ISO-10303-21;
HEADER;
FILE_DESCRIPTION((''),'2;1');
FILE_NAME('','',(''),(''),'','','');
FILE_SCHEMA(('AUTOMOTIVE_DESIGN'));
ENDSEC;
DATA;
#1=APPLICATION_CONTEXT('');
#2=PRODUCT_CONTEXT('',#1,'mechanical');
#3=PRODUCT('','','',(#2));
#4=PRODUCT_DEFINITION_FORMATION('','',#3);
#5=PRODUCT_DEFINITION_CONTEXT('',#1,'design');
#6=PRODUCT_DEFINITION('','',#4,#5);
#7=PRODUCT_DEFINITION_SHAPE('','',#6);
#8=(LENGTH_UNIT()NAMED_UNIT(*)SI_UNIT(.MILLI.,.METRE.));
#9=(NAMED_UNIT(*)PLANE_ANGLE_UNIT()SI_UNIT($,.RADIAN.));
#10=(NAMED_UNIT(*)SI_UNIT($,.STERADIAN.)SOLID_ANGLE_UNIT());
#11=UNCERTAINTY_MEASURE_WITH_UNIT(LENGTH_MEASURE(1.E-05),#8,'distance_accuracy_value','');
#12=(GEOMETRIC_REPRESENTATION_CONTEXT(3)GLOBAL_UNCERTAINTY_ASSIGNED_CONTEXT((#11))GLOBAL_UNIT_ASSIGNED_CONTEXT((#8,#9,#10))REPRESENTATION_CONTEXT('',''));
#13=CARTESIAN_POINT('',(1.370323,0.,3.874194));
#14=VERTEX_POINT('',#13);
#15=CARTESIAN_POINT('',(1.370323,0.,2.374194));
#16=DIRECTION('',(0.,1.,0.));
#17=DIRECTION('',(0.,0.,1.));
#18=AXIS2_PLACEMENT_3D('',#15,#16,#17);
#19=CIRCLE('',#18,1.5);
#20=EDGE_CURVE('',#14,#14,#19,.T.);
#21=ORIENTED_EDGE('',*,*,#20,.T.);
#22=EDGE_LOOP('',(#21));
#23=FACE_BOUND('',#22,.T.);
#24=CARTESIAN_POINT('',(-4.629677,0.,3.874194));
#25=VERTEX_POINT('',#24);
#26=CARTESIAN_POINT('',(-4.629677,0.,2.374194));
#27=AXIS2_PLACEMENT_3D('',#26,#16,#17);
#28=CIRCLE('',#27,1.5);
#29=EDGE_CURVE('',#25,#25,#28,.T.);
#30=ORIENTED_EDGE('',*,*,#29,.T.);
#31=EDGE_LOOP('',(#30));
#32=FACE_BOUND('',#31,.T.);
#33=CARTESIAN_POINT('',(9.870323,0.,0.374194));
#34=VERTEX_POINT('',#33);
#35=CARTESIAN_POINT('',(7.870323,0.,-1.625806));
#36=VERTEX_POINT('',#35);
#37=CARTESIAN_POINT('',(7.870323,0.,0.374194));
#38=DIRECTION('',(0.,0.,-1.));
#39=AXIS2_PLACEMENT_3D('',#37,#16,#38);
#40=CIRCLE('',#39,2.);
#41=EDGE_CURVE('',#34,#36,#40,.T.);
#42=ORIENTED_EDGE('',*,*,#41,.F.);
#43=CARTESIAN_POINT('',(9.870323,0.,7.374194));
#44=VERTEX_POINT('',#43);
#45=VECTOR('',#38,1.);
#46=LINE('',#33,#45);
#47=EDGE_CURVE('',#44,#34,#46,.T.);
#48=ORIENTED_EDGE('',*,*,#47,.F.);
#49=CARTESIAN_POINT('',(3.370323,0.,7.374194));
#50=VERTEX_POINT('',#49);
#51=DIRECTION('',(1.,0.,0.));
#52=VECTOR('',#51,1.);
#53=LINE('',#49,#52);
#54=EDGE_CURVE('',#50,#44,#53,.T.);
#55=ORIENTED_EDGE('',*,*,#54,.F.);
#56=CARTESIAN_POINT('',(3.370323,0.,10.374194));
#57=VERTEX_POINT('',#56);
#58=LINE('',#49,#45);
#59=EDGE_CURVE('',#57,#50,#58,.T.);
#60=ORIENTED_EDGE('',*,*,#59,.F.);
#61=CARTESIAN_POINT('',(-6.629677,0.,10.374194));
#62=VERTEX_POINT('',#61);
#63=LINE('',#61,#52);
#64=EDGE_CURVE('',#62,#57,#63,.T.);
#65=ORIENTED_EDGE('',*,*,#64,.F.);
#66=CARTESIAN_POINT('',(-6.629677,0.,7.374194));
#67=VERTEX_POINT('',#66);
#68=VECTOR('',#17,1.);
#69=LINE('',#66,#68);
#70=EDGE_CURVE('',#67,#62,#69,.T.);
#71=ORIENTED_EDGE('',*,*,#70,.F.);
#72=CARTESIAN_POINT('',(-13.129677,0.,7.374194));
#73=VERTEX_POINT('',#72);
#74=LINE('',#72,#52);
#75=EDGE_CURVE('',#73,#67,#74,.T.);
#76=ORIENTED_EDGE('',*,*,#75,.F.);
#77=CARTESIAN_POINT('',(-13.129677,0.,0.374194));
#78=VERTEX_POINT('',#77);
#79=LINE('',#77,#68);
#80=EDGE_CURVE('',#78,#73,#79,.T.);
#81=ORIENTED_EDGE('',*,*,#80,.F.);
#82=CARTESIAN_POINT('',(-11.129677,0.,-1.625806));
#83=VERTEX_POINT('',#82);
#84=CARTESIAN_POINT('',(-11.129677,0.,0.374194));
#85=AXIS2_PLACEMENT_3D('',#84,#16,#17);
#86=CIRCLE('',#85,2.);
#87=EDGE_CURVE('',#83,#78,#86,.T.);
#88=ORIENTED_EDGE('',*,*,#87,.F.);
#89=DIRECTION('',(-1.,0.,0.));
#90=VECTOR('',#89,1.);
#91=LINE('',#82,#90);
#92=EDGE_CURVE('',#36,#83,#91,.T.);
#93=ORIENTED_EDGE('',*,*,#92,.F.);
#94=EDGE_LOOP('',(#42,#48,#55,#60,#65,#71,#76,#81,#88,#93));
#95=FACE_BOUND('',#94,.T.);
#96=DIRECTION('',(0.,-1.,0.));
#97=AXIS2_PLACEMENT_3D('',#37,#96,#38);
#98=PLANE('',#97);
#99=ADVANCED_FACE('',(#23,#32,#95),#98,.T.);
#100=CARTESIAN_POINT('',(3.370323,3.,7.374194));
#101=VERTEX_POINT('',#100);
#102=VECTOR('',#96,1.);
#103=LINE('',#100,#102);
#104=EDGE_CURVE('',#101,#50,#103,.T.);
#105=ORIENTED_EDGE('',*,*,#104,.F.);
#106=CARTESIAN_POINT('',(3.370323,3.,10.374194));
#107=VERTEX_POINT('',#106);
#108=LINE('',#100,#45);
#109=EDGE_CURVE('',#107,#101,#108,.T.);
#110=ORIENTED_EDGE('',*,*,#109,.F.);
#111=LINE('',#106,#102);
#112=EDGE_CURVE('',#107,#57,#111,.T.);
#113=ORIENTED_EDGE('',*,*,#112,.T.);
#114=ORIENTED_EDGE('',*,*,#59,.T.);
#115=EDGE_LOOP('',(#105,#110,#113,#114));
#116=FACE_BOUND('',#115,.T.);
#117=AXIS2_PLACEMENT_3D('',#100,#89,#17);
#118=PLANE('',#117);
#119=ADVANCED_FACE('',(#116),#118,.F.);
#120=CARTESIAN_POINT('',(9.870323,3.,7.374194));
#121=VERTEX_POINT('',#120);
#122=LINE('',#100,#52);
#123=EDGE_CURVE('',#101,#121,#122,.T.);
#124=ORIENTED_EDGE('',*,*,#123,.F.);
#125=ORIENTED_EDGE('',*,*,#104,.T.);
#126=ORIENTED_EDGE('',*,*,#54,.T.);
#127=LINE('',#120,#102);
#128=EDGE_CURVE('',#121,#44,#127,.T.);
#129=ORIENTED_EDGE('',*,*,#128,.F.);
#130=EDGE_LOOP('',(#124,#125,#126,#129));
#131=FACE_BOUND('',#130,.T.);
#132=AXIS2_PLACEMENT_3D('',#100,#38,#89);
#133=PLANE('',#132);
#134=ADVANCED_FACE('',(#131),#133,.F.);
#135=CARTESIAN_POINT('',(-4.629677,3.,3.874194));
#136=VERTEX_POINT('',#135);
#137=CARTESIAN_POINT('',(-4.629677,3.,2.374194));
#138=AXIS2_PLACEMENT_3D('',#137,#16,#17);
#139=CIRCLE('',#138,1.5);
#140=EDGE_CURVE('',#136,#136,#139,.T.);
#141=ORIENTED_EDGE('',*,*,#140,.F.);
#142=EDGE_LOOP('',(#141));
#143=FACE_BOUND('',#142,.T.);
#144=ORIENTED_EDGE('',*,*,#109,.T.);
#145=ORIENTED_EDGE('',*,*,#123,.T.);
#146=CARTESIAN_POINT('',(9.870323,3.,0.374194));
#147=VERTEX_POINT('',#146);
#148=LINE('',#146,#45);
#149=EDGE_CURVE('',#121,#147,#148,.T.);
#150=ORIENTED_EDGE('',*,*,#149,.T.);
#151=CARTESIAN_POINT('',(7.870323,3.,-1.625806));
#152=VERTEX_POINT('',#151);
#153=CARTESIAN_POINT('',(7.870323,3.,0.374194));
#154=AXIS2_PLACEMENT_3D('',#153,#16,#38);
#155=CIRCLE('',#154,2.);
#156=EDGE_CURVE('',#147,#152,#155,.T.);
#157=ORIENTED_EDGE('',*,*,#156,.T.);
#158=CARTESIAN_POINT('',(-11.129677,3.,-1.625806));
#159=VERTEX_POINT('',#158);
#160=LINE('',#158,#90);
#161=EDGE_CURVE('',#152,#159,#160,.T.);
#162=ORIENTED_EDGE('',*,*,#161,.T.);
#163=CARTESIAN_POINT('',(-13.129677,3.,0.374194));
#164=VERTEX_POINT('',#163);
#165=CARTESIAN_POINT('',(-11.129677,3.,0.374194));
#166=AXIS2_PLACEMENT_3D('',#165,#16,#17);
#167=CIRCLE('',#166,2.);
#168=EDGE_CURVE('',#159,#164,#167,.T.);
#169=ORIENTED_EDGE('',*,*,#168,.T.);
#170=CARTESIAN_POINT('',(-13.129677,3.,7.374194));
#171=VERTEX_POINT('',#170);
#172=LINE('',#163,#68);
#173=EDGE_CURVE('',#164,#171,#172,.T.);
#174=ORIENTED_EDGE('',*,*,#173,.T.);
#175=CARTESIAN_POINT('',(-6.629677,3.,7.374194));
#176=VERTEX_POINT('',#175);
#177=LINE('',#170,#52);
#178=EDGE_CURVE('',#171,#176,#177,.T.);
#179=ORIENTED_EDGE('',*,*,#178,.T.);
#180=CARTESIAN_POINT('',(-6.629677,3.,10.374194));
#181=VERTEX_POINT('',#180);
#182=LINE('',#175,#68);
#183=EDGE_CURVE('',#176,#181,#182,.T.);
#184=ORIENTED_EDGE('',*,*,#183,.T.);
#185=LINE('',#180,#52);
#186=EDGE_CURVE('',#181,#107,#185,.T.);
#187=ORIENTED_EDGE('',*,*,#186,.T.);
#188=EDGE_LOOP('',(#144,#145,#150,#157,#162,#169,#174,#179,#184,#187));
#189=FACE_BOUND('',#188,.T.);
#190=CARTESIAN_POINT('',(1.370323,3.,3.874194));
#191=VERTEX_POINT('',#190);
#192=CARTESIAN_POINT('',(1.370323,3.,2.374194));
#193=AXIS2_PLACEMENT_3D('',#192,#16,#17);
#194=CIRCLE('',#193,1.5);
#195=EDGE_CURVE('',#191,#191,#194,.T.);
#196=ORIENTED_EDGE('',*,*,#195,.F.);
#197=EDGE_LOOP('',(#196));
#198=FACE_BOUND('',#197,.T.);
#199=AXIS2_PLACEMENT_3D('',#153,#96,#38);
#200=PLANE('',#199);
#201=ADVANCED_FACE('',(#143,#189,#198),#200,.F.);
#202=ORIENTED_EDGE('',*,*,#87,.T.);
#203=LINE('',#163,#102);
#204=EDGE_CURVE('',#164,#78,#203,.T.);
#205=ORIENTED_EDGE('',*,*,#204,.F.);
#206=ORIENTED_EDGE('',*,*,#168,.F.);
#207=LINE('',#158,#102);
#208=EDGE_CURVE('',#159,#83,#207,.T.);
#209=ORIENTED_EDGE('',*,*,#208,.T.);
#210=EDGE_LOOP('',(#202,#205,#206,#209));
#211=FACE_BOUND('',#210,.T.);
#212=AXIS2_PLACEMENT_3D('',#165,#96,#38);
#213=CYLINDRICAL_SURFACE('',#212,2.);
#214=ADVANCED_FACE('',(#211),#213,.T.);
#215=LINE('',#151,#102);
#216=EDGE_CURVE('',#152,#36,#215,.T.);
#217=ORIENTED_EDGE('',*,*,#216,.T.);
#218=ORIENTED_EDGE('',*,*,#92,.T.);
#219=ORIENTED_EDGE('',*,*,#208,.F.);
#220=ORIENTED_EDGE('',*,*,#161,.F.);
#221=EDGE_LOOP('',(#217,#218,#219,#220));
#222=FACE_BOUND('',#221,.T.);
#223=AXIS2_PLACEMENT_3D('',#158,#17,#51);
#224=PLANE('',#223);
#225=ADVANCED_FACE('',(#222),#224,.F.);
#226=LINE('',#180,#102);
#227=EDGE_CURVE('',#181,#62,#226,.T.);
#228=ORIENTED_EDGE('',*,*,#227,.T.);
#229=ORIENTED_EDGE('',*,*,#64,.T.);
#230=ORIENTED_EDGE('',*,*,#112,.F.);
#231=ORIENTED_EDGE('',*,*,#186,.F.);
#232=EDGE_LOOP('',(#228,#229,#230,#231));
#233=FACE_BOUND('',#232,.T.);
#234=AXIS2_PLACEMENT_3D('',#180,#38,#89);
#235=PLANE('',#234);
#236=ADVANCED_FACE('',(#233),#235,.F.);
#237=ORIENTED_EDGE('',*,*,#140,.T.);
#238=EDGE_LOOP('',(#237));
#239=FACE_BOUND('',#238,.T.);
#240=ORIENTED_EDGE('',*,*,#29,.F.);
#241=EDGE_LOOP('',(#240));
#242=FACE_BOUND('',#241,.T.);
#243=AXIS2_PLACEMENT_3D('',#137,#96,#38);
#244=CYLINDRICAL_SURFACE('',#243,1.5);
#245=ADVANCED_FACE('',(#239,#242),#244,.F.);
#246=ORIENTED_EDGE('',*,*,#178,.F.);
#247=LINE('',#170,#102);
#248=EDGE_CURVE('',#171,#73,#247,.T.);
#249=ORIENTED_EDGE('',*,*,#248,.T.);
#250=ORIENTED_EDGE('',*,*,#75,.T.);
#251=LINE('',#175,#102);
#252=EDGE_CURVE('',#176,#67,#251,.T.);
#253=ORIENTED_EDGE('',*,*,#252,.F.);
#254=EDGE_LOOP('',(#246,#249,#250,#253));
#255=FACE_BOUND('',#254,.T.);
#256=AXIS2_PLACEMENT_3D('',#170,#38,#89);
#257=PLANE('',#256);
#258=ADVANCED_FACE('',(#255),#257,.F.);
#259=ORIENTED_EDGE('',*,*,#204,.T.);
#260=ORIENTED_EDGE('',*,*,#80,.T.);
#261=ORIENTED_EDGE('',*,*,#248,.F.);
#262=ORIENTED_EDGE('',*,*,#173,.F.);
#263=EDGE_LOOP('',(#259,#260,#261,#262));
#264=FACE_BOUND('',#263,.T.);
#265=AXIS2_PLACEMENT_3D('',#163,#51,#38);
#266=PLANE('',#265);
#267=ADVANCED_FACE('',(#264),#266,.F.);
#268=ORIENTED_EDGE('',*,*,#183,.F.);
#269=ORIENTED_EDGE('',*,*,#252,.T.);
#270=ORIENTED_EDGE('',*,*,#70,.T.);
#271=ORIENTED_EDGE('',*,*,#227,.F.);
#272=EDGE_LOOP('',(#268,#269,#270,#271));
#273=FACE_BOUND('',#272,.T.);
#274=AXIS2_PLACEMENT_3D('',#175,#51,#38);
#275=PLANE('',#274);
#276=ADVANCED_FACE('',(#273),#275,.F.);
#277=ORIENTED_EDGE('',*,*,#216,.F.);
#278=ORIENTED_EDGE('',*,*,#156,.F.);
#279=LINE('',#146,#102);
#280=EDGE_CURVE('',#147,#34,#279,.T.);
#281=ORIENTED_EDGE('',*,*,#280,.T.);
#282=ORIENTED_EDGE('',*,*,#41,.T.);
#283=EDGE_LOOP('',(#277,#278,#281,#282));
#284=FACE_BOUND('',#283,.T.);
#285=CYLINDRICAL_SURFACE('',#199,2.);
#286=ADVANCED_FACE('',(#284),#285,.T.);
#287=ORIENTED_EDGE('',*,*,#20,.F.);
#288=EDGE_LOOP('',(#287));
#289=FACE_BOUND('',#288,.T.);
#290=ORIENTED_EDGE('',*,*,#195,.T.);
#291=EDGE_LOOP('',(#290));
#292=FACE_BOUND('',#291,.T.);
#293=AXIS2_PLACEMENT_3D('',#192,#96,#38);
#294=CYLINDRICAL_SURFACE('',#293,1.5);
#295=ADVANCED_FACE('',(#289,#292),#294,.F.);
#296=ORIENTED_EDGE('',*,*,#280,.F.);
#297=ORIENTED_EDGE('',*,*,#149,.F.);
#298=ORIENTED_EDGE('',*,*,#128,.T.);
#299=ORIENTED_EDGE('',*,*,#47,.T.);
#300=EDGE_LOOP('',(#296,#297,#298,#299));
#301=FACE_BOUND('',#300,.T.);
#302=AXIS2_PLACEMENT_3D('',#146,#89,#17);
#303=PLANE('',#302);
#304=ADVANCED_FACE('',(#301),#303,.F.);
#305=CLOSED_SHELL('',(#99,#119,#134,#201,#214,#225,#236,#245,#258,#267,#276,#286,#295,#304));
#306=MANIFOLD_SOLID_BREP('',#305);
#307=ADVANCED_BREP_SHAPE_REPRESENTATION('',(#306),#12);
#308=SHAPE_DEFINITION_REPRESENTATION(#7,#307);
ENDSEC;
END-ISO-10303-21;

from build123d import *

# Parameters (mm, degrees)
SKETCH1_R           = 1.5
BOSS_EXTRUDE1_DEPTH = 3


with BuildPart() as part:
    # Sketch1 → Boss-Extrude1 (new body)
    with BuildSketch(Plane(origin=(0, 0, 0), x_dir=(1, 0, 0), z_dir=(0, 1, 0))):
        with BuildLine():
            Line((-11.129677419, 1.625806452), (7.870322581, 1.625806452))
            ThreePointArc((7.870322581, 1.625806452), (9.284536143, 1.040020014), (9.870322581, -0.374193548))
            Line((9.870322581, -0.374193548), (9.870322581, -7.374193548))
            Line((9.870322581, -7.374193548), (3.370322581, -7.374193548))
            Line((3.370322581, -7.374193548), (3.370322581, -10.374193548))
            Line((3.370322581, -10.374193548), (-6.629677419, -10.374193548))
            Line((-6.629677419, -10.374193548), (-6.629677419, -7.374193548))
            Line((-6.629677419, -7.374193548), (-13.129677419, -7.374193548))
            Line((-13.129677419, -7.374193548), (-13.129677419, -0.374193548))
            ThreePointArc((-13.129677419, -0.374193548), (-12.543890982, 1.040020014), (-11.129677419, 1.625806452))
        make_face()
        with Locations((-4.629677419, -2.374193548)):
            Circle(SKETCH1_R, mode=Mode.SUBTRACT)
        with Locations((1.370322581, -2.374193548)):
            Circle(SKETCH1_R, mode=Mode.SUBTRACT)
    extrude(amount=BOSS_EXTRUDE1_DEPTH)


solid = part.part
